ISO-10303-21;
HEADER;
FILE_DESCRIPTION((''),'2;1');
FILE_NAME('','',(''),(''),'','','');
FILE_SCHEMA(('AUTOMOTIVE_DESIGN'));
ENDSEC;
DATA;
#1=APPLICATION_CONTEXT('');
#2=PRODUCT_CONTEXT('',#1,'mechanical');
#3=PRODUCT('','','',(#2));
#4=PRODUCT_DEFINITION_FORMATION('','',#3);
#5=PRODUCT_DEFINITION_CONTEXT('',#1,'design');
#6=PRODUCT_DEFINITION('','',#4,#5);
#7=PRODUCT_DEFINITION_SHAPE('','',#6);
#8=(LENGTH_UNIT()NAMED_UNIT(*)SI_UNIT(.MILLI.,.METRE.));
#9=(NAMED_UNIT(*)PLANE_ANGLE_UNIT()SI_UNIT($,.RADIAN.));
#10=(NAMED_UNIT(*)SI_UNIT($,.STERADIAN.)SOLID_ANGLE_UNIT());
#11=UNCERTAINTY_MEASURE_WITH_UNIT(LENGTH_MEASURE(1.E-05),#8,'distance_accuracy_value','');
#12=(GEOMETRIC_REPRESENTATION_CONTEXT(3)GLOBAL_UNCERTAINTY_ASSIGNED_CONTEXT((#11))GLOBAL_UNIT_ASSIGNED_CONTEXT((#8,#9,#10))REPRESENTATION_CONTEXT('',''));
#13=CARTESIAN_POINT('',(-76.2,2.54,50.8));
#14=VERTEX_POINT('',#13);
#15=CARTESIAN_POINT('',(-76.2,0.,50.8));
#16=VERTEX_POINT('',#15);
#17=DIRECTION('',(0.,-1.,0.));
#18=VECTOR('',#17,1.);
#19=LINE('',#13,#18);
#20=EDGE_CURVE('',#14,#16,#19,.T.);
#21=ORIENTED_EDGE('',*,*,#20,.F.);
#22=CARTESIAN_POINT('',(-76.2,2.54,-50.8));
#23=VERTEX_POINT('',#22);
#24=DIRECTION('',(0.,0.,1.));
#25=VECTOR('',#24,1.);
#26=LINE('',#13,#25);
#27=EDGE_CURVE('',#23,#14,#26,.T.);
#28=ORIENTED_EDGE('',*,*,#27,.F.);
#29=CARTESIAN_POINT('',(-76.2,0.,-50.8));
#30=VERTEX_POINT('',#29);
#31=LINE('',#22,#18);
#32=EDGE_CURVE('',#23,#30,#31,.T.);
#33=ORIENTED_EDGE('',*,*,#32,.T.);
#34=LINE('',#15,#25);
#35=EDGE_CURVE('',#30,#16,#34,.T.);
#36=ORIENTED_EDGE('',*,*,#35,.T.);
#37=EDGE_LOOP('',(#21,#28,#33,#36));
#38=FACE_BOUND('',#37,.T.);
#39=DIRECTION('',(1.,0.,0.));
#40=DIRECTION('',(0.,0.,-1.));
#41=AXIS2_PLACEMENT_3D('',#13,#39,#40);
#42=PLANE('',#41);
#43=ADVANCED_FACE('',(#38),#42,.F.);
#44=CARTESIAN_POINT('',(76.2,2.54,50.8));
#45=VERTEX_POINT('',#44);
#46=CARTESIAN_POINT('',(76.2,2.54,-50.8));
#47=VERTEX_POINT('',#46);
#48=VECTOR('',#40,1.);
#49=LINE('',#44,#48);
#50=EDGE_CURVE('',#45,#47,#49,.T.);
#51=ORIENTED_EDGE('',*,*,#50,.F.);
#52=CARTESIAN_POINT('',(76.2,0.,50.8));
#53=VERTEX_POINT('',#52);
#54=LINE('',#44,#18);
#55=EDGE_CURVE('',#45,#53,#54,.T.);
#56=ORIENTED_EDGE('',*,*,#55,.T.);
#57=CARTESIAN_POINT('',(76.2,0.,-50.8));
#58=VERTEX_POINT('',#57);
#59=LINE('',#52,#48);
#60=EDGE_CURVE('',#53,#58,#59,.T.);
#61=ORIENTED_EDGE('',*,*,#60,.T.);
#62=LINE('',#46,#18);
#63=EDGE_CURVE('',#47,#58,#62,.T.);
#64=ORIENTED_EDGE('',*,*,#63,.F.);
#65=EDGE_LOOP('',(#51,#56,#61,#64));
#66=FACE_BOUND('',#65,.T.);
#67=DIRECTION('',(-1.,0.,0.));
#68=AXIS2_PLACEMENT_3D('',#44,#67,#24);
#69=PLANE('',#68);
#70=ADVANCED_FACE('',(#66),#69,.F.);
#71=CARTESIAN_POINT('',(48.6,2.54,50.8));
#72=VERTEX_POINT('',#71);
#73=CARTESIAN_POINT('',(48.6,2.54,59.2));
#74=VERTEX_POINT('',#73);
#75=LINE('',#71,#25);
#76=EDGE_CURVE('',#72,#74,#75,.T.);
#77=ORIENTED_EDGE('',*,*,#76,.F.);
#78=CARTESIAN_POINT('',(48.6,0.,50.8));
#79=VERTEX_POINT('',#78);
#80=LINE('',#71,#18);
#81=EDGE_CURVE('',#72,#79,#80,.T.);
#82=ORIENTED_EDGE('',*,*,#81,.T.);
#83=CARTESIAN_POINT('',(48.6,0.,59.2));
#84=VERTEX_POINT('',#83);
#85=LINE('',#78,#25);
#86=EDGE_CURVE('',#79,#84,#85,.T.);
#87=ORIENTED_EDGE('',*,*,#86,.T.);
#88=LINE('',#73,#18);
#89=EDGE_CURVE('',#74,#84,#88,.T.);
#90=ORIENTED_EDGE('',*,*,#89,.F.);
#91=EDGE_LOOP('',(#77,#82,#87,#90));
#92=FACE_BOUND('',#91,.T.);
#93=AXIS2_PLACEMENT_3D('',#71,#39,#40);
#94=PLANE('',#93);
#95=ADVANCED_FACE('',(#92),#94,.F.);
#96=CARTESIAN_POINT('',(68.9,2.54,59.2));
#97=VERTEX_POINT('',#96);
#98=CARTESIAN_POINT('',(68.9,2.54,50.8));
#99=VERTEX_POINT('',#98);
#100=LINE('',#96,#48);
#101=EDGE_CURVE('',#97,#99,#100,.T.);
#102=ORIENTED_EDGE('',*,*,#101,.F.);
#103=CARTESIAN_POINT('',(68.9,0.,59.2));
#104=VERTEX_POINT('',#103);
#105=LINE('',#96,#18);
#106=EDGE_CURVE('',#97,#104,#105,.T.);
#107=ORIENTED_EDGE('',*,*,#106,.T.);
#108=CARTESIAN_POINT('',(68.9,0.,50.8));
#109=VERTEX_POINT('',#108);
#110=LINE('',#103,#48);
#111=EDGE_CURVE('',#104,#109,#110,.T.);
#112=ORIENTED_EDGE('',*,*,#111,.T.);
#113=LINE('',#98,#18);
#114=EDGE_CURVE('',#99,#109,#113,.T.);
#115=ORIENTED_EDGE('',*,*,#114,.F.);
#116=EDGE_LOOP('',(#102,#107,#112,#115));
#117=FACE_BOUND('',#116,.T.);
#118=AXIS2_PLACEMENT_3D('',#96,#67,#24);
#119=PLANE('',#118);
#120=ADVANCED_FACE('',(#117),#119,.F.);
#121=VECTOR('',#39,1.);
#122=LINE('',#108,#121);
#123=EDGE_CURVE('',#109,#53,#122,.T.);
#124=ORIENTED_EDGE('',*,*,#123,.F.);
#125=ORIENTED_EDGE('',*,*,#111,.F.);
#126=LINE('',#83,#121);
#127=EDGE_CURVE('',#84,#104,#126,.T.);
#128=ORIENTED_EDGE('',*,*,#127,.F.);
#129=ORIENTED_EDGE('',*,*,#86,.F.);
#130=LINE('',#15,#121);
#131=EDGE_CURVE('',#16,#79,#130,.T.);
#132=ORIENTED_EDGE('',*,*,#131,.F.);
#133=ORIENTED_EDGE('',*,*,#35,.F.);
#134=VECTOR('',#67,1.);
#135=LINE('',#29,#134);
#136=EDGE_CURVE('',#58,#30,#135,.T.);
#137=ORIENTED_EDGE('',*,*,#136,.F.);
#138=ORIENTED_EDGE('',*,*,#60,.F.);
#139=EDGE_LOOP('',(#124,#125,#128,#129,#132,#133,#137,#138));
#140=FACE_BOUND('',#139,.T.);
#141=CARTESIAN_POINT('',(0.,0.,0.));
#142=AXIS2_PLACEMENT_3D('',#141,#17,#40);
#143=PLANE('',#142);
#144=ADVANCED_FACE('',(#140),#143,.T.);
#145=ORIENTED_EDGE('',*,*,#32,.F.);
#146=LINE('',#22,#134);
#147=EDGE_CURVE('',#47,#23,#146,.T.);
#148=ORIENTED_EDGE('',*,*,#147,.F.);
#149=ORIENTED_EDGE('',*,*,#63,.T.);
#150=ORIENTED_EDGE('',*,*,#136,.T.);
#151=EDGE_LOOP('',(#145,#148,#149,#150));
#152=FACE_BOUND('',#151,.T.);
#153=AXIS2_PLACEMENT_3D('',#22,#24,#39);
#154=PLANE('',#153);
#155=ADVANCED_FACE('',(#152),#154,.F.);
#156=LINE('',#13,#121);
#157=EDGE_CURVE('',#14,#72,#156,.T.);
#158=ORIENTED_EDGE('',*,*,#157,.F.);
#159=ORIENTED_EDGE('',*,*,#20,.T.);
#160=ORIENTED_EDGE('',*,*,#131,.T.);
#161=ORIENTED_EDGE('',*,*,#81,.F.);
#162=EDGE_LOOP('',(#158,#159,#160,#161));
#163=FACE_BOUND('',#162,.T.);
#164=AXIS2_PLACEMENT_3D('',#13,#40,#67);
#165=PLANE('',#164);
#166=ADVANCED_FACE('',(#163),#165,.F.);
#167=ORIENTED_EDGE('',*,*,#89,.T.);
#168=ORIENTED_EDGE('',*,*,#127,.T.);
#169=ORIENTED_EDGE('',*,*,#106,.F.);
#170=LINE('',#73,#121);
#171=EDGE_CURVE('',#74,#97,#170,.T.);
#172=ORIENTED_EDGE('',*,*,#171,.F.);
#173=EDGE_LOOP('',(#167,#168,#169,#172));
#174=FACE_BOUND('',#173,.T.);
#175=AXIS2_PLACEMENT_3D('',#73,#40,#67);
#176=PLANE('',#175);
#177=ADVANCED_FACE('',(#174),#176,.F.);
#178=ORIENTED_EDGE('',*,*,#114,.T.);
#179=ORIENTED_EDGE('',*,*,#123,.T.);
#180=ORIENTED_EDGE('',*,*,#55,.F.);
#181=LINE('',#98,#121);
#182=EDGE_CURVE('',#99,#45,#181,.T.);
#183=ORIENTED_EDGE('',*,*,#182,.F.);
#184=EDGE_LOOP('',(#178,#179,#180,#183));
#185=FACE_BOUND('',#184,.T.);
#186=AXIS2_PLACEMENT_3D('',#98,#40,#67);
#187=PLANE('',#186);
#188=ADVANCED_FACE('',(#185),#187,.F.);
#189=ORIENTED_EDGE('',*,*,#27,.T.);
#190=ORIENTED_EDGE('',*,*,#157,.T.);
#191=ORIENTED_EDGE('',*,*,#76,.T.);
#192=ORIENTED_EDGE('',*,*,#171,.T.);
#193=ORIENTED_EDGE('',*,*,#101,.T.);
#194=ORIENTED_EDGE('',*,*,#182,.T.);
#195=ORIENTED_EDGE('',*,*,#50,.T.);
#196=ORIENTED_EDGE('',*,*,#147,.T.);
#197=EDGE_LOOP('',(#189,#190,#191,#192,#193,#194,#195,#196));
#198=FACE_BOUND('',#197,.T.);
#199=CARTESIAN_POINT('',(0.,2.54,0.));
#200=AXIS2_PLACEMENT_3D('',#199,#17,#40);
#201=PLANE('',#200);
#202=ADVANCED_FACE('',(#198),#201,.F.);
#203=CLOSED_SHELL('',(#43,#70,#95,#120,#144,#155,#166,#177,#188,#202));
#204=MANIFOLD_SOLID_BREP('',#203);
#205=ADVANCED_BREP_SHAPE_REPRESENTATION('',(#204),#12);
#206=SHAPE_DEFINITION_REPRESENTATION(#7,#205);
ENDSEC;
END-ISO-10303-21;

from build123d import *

# Parameters (mm, degrees)
BOSS_EXTRUDE1_DEPTH = 2.54


with BuildPart() as part:
    # Sketch1 → Boss-Extrude1 (new body)
    with BuildSketch(Plane(origin=(0, 0, 0), x_dir=(1, 0, 0), z_dir=(0, 1, 0))):
        Polygon((48.6, -50.8), (48.6, -59.2), (68.9, -59.2), (68.9, -50.8), (76.2, -50.8), (76.2, 50.8), (-76.2, 50.8), (-76.2, -50.8), align=None)
    extrude(amount=BOSS_EXTRUDE1_DEPTH)


solid = part.part
